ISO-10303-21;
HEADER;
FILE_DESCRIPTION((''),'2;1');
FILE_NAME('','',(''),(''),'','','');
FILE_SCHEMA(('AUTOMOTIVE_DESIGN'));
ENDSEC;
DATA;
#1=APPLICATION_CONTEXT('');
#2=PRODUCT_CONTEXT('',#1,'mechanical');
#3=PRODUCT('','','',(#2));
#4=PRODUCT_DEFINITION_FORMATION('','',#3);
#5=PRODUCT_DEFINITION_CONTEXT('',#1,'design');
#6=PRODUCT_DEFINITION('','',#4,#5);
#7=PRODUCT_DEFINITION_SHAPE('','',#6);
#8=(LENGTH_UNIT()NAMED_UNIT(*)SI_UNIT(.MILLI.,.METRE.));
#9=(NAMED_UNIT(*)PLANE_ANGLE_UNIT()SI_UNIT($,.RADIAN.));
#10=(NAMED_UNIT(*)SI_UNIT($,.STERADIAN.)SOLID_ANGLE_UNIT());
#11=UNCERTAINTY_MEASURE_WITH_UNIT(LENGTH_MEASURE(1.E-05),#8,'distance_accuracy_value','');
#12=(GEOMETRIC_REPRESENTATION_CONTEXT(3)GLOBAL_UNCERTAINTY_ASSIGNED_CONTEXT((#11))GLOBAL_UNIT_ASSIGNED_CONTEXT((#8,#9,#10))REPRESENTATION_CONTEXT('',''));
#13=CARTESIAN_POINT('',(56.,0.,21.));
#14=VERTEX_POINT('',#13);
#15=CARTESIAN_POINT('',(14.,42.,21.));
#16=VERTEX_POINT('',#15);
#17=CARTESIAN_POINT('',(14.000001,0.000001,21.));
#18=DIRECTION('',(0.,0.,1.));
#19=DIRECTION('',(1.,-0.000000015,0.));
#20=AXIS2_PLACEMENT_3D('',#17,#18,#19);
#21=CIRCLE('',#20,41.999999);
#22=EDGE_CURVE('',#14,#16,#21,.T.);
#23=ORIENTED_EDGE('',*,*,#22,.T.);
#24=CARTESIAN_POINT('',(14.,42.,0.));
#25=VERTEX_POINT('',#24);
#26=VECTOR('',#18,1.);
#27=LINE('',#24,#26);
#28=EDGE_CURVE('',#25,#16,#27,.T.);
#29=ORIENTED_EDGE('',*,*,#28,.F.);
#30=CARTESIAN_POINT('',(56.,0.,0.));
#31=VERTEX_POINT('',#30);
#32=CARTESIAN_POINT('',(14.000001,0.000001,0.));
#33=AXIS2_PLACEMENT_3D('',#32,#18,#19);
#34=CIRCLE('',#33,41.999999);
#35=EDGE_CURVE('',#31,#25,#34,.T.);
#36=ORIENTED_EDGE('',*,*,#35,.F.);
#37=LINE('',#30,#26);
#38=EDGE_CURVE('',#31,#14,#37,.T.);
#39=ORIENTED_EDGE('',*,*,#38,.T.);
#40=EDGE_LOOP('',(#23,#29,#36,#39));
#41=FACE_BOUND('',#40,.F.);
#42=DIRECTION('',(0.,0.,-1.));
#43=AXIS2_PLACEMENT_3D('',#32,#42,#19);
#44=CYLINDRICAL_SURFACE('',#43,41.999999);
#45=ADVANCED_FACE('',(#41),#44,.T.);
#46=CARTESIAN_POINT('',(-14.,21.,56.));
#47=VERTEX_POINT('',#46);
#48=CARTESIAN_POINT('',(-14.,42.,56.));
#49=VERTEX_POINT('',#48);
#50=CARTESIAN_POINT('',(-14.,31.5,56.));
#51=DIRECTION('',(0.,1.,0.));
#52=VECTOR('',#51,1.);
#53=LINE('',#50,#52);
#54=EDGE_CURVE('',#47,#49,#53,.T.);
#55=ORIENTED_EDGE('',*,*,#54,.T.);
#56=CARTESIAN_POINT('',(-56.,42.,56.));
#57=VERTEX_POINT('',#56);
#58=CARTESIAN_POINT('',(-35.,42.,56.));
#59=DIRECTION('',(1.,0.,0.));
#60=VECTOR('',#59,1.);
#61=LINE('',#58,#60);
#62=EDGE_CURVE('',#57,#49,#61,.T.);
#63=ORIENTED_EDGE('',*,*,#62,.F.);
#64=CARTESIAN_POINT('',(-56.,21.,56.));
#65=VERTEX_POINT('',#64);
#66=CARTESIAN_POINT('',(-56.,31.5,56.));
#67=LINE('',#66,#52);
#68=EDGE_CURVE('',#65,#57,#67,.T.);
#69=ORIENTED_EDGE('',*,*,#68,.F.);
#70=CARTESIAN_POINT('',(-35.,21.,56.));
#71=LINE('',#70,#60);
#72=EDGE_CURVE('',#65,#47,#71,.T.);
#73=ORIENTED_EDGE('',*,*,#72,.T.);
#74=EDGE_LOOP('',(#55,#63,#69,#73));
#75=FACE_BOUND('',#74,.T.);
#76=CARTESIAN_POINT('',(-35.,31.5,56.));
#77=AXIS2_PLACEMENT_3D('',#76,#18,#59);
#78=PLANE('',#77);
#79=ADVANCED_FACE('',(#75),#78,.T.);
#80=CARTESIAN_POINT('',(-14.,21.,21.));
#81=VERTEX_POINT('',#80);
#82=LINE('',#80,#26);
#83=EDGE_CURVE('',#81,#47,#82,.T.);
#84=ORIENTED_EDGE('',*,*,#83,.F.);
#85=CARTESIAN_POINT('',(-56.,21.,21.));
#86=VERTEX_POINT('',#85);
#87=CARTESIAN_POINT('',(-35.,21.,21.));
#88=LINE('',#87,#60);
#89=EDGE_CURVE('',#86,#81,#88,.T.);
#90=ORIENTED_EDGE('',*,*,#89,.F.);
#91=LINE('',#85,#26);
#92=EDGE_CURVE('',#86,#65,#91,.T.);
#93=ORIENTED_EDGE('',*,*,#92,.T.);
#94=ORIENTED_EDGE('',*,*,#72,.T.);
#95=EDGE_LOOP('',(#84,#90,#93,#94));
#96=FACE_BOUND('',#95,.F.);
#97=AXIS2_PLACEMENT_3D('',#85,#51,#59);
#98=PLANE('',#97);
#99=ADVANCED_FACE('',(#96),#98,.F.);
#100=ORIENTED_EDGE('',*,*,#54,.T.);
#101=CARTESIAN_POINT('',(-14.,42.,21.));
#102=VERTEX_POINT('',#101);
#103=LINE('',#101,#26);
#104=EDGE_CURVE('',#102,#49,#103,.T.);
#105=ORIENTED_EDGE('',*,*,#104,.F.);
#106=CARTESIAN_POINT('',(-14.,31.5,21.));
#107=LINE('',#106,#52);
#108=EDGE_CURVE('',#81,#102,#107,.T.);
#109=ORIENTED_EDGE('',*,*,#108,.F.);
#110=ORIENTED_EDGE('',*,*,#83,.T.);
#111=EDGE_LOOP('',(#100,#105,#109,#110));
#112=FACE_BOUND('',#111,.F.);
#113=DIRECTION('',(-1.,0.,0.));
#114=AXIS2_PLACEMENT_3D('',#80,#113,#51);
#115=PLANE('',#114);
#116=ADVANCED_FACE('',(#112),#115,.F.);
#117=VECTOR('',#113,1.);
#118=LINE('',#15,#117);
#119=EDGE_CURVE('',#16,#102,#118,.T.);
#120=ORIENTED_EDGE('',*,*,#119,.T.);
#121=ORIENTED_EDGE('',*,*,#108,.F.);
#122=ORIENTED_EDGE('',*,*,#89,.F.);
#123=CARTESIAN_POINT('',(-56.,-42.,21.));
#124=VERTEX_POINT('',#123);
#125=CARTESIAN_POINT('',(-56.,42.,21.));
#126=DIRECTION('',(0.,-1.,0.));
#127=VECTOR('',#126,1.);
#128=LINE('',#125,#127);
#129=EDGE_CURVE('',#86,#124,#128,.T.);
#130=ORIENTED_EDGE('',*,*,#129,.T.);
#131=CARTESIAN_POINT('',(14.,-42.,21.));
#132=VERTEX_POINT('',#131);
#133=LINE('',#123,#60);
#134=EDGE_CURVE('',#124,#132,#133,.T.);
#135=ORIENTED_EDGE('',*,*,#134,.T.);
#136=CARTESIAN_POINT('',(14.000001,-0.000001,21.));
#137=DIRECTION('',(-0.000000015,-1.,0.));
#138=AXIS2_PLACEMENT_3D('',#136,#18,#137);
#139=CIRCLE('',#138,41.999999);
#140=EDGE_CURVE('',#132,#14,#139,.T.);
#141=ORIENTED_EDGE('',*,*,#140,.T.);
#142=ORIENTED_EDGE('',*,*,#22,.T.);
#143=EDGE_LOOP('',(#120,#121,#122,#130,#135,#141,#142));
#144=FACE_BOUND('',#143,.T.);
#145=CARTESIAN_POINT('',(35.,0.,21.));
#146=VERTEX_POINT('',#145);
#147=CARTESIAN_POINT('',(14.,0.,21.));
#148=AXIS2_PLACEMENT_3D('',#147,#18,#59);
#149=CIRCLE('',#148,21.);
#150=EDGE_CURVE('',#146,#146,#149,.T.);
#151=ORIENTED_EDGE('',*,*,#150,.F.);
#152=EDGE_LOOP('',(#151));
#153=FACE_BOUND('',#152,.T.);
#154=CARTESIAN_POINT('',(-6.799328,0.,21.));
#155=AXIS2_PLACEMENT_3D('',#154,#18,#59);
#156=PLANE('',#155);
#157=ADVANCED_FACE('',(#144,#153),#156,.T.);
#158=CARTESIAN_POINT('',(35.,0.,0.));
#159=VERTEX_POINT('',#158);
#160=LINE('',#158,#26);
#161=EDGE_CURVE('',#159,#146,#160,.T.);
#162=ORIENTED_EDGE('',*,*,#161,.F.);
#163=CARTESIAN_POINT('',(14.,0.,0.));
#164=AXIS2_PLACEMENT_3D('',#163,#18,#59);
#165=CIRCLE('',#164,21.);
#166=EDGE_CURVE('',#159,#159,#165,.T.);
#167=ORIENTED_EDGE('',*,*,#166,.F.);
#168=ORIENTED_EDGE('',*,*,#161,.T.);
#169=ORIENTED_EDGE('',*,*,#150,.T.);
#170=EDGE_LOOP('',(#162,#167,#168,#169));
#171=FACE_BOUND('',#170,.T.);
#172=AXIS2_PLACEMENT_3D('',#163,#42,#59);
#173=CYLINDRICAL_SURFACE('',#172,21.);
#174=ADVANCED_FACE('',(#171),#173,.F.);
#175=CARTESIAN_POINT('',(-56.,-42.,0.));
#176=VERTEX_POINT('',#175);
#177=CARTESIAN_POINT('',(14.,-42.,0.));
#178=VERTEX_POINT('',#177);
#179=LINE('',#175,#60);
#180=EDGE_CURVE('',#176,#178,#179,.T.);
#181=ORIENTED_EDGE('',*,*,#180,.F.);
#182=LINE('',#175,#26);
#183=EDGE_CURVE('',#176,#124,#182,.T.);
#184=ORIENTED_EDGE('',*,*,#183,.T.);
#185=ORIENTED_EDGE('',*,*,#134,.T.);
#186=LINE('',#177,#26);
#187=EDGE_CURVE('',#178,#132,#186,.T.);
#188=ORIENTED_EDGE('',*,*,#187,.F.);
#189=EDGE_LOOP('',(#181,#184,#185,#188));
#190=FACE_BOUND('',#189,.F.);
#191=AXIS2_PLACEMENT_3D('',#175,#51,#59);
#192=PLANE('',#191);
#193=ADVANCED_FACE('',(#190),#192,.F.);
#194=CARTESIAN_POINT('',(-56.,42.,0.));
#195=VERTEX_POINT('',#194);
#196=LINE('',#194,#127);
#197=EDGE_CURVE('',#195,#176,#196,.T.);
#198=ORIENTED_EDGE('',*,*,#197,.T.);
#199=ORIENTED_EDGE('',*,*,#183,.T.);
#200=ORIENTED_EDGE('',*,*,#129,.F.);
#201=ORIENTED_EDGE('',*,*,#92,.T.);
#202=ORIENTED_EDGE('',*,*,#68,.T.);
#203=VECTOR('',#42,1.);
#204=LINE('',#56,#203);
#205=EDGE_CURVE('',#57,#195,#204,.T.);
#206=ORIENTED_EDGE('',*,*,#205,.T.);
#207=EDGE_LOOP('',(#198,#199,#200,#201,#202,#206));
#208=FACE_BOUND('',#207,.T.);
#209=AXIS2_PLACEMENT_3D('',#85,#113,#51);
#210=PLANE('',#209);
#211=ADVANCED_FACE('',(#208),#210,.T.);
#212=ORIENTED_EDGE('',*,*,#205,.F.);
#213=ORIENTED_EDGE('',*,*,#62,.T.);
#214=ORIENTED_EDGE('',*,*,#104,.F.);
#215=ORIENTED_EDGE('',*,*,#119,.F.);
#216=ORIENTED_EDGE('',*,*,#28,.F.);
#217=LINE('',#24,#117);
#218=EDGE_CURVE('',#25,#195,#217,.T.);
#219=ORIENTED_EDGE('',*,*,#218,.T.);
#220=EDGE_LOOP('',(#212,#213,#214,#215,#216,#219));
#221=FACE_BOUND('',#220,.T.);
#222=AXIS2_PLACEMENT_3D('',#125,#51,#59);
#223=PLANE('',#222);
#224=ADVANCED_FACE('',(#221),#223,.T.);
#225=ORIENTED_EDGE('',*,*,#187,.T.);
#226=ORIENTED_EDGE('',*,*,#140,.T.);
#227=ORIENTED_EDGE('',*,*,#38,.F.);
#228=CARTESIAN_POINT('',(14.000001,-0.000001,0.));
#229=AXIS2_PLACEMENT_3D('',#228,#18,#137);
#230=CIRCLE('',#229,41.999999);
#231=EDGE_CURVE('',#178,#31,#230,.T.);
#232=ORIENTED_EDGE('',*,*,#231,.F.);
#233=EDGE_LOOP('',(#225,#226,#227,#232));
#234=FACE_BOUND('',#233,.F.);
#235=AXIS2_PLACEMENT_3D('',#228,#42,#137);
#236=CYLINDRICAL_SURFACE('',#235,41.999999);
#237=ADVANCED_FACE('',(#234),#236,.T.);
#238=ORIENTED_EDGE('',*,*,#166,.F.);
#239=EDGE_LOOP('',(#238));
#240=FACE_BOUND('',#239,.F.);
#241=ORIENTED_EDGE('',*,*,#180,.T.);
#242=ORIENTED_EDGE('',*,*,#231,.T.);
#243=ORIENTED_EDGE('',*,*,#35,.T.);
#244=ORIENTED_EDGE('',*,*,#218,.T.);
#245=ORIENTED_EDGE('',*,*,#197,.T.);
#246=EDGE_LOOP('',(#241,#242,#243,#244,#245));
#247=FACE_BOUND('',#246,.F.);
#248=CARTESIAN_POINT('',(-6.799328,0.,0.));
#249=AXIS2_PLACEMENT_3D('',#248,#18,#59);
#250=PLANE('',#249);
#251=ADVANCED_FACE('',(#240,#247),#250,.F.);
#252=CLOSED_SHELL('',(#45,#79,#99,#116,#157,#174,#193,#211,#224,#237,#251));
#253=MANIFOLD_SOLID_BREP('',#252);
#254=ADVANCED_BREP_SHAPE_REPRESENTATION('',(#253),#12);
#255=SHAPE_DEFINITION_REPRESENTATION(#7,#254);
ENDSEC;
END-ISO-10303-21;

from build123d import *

# Parameters (mm, degrees)
F0_R     = 21
F1_DEPTH = 21
F2_W     = 42
F2_H     = 21
F3_DEPTH = 35


with BuildPart() as f1:
    # F0 (on Top) → F1 (new body)
    with BuildSketch(Plane.XY):
        with BuildLine():
            Line((14, 42), (-56, 42))
            Line((-56, 42), (-56, -42))
            Line((-56, -42), (14, -42))
            ThreePointArc((14, -42), (43.698485, -29.698485), (56, 0))
            ThreePointArc((56, 0), (43.698485, 29.698485), (14, 42))
        make_face()
        with Locations((14, 0)):
            Circle(F0_R, mode=Mode.SUBTRACT)
    extrude(amount=F1_DEPTH)

    # F2 (on face) → F3 (join)
    with BuildSketch(Plane.XY.offset(21)):
        with Locations((-35, 31.5)):
            Rectangle(F2_W, F2_H)
    extrude(amount=F3_DEPTH)


solid = f1.part
